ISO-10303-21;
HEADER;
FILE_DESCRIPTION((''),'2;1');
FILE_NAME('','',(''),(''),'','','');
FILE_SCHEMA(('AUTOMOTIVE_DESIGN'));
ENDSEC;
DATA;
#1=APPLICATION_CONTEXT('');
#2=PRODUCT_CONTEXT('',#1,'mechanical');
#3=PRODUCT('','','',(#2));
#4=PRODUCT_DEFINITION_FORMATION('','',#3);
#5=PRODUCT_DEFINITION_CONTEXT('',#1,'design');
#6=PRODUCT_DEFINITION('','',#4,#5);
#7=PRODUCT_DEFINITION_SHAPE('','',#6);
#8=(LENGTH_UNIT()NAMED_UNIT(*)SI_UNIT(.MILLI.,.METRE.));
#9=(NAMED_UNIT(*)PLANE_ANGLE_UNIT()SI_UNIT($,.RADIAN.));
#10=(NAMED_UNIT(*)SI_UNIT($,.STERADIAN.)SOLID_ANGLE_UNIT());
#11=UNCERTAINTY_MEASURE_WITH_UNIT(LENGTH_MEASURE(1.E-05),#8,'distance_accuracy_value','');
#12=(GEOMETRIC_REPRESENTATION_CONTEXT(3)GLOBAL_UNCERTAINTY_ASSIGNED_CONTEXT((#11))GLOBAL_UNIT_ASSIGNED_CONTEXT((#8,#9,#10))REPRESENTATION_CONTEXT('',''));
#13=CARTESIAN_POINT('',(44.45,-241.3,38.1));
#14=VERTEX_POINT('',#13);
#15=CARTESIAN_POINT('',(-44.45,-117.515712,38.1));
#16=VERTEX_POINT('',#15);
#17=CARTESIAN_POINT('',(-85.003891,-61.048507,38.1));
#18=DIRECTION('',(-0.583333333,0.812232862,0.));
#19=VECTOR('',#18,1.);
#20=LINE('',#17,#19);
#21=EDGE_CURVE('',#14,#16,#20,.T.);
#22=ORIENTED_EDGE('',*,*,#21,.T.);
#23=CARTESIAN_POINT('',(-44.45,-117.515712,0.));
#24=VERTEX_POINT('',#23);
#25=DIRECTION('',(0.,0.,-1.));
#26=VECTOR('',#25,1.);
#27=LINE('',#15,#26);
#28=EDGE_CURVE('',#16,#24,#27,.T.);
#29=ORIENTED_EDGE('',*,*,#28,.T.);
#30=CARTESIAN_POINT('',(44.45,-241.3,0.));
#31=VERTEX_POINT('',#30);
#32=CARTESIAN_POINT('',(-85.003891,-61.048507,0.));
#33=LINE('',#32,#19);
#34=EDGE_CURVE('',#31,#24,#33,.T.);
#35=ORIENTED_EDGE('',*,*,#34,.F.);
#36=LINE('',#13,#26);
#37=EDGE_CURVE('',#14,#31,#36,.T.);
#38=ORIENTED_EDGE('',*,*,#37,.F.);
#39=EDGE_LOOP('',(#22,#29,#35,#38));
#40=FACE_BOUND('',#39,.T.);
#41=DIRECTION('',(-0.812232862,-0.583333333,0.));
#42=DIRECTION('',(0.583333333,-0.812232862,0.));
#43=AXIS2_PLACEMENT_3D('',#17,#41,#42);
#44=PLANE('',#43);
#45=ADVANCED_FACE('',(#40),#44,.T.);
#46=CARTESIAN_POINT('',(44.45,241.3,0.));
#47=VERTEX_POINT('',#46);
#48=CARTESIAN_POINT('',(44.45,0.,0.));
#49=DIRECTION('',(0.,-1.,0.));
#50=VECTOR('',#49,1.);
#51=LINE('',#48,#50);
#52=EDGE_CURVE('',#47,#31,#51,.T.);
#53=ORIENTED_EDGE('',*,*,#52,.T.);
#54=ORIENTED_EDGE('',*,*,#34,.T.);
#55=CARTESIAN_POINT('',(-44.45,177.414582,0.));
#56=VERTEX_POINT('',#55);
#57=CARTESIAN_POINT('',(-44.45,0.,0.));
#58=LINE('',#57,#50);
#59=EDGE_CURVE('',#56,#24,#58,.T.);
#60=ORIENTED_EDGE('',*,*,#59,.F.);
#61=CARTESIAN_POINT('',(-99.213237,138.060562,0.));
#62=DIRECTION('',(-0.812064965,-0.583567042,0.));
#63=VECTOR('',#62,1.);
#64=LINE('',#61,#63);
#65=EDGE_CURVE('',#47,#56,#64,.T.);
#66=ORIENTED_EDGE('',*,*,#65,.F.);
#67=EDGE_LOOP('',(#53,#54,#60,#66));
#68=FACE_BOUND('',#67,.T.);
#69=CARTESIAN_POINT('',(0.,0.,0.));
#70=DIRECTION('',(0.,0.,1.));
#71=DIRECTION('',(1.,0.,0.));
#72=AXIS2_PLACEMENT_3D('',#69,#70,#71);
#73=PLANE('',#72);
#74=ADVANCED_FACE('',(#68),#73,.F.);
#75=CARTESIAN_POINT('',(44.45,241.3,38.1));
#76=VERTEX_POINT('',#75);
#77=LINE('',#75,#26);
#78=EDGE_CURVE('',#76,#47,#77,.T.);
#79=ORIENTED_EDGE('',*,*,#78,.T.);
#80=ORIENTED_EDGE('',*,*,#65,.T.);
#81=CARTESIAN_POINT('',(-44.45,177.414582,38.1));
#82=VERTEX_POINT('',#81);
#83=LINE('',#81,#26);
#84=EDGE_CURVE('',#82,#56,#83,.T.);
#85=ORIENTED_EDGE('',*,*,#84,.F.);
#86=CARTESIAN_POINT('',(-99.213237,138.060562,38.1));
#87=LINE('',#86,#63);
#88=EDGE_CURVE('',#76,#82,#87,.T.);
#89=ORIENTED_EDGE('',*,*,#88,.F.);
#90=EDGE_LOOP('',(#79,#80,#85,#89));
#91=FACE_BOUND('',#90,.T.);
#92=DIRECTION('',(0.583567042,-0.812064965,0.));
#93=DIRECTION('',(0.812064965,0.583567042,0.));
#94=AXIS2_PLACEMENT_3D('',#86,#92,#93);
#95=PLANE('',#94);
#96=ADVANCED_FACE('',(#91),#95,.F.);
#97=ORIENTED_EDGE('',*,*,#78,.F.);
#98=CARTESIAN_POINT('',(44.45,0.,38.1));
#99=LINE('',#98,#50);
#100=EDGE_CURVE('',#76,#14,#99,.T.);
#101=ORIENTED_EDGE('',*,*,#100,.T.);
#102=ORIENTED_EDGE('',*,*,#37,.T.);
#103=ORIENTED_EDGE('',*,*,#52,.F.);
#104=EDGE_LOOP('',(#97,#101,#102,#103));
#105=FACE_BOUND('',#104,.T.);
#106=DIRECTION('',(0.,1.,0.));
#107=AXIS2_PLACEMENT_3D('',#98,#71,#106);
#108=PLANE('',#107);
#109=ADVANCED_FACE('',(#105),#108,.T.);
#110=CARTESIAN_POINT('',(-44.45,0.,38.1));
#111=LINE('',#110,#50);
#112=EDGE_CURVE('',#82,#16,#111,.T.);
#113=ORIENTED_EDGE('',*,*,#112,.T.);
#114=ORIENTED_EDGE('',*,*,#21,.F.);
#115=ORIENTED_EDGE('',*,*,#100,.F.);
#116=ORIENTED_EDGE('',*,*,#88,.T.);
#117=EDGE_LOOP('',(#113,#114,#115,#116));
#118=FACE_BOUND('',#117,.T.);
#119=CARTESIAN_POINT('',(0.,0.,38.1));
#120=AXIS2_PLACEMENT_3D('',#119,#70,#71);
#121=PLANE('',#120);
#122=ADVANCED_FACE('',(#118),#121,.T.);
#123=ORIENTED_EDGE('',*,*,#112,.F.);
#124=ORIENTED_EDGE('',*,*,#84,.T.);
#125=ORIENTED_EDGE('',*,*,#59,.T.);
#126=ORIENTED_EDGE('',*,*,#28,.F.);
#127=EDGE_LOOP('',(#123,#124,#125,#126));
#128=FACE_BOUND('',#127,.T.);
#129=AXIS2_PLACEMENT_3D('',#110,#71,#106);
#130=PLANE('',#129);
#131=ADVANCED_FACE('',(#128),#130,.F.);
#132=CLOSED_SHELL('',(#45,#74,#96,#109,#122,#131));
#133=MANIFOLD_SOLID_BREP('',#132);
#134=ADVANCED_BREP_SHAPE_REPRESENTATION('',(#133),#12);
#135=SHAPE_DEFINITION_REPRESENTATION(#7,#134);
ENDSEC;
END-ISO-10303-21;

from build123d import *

# Parameters (mm, degrees)
BOSS_EXTRUDE1_DEPTH = 38.1


with BuildPart() as part:
    # Sketch1 → Boss-Extrude1 (new body)
    with BuildSketch(Plane.XY):
        Polygon((44.45, -241.3), (44.45, 241.3), (-44.45, 177.414581664), (-44.45, -117.515711821), align=None)
    extrude(amount=BOSS_EXTRUDE1_DEPTH)


solid = part.part
